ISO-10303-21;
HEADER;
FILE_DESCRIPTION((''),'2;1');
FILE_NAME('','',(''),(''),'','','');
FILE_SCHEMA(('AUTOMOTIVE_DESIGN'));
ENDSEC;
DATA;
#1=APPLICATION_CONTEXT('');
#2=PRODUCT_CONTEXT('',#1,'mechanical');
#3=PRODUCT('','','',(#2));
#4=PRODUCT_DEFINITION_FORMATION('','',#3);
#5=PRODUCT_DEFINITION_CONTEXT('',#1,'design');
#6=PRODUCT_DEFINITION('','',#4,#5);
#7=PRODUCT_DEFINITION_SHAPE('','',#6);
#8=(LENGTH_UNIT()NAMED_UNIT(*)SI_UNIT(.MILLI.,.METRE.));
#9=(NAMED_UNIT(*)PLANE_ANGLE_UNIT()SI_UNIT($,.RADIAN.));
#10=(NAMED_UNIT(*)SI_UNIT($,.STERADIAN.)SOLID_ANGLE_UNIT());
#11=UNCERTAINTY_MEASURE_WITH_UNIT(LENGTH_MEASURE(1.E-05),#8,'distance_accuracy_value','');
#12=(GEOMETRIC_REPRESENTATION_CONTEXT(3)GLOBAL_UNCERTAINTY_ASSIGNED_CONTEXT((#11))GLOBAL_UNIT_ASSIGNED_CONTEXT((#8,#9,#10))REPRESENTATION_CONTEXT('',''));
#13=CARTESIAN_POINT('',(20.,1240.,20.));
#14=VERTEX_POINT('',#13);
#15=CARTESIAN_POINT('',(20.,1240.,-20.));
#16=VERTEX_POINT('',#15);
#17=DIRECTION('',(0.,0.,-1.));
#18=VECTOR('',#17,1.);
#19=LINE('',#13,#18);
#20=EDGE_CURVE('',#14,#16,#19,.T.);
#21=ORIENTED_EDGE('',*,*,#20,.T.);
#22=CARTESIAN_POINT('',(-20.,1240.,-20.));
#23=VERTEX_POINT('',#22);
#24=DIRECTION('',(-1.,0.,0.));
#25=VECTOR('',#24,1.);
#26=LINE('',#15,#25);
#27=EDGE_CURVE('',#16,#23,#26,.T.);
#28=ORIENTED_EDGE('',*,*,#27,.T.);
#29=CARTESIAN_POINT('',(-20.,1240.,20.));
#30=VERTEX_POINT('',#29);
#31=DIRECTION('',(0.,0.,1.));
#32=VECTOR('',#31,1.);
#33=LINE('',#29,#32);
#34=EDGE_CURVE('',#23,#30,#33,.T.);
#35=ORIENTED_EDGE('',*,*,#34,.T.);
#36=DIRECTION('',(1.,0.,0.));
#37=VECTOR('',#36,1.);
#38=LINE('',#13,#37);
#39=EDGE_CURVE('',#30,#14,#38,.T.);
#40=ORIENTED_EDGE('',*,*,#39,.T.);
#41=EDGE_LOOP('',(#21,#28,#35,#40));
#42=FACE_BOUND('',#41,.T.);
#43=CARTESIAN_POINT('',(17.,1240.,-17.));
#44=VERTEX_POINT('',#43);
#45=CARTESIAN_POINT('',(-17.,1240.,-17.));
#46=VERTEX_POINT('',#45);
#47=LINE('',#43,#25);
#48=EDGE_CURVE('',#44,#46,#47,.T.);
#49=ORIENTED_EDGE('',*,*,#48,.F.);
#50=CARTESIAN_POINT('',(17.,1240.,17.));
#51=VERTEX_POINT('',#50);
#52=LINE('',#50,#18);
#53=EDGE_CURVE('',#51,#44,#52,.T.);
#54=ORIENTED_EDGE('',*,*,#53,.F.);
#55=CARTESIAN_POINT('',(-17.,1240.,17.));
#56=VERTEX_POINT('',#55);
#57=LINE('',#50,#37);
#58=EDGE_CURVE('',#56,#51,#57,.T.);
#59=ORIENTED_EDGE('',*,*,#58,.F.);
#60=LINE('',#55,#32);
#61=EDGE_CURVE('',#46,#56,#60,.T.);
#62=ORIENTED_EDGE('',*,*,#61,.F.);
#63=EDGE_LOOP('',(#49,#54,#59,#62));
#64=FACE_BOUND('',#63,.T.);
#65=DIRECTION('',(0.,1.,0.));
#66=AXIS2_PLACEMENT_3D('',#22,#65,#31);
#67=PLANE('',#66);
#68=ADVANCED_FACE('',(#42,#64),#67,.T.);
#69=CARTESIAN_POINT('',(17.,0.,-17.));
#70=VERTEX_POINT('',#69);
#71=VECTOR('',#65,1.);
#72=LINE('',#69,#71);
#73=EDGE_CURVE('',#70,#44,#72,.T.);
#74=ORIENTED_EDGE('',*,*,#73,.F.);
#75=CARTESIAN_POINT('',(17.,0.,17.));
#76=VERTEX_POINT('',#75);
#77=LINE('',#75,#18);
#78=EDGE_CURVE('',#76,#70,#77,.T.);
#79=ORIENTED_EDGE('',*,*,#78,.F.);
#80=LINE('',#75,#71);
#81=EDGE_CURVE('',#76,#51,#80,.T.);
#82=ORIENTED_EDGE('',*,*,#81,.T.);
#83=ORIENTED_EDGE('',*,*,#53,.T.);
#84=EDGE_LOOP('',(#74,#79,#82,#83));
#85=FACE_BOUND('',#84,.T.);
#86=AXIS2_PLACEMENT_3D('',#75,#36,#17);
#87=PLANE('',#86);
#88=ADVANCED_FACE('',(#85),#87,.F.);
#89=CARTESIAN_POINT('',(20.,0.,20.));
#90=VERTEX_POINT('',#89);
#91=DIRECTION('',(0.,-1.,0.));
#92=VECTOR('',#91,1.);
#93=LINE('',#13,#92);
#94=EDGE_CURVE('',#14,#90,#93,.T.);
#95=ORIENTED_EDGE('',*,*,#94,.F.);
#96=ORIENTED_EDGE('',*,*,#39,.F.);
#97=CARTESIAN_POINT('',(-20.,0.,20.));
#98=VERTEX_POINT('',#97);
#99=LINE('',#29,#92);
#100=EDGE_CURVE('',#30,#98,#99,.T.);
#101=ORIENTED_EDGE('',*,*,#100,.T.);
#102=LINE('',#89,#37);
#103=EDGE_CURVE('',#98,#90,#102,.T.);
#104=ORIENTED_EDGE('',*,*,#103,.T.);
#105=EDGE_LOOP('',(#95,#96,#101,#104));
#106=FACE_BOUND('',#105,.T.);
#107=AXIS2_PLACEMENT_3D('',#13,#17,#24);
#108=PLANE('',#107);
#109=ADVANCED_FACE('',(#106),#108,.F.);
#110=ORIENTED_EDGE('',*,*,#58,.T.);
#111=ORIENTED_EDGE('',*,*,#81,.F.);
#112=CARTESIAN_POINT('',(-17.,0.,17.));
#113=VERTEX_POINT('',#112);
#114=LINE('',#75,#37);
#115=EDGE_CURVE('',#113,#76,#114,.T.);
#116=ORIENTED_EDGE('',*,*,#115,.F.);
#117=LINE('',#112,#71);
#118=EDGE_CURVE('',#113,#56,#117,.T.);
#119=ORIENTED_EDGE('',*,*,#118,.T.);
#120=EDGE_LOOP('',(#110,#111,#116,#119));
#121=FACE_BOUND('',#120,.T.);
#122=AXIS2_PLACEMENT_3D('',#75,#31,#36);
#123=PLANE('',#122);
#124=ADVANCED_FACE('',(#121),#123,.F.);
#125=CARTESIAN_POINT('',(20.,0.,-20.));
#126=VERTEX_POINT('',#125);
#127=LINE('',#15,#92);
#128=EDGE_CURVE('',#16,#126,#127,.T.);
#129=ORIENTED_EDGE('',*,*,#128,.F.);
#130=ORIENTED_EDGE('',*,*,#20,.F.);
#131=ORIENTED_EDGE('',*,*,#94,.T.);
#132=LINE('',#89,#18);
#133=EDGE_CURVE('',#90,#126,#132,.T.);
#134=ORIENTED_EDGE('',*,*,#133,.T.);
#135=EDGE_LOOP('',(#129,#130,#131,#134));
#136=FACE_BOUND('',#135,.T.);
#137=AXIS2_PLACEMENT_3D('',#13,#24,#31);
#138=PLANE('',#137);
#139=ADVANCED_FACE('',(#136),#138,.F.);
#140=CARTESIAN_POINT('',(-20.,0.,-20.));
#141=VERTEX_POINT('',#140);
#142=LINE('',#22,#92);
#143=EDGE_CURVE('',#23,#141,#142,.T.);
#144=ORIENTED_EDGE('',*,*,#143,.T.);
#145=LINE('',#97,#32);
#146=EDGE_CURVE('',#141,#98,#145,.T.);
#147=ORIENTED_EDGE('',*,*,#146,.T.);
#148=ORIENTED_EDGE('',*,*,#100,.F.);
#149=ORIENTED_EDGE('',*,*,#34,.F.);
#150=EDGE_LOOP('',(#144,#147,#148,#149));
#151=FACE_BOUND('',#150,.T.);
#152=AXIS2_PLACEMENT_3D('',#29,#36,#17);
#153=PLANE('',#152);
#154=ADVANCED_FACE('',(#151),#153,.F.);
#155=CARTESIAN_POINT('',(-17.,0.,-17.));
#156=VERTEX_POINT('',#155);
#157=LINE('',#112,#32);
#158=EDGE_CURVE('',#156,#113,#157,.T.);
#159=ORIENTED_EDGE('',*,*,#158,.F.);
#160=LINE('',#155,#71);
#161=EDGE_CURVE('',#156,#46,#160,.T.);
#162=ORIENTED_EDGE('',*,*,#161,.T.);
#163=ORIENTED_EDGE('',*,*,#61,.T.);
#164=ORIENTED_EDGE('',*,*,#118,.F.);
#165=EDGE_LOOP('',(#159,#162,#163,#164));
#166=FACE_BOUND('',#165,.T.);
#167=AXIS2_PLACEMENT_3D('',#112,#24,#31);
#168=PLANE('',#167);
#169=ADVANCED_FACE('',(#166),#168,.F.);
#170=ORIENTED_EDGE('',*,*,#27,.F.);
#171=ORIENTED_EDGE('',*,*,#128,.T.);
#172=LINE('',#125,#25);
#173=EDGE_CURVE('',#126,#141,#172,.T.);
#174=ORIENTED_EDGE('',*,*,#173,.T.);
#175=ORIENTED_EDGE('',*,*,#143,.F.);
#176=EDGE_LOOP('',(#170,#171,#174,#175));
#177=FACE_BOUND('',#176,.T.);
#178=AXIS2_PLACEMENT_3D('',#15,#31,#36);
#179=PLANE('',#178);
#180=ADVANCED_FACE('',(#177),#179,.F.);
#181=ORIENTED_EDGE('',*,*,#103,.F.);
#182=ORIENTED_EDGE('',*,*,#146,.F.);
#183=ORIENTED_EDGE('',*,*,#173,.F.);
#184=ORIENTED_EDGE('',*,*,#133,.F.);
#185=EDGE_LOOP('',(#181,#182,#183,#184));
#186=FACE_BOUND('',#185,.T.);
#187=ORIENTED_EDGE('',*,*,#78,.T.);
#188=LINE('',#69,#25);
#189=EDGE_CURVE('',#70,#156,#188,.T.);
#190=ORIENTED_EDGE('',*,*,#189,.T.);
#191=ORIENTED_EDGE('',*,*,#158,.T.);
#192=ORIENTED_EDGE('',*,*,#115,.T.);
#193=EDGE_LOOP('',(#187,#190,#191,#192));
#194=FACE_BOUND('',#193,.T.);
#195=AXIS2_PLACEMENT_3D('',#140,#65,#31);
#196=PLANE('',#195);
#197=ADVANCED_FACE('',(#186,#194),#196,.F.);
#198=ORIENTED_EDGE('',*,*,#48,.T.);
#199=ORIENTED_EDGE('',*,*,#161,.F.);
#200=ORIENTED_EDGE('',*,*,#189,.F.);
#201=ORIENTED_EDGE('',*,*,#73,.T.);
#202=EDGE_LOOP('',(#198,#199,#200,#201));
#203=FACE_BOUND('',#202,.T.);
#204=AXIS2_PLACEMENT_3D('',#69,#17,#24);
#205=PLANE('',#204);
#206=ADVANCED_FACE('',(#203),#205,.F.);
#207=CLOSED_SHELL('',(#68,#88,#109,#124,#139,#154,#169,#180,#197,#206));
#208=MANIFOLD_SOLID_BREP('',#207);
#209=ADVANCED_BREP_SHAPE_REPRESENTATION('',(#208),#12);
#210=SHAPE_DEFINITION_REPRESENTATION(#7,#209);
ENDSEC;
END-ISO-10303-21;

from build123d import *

# Parameters (mm, degrees)
SKETCH1_W           = 40
SKETCH1_H           = 40
BOSS_EXTRUDE1_DEPTH = 1240
SKETCH2_W           = 34
SKETCH2_H           = 34
CUT_EXTRUDE1_DEPTH  = 1241


with BuildPart() as part:
    # Sketch1 → Boss-Extrude1 (new body)
    with BuildSketch(Plane(origin=(0, 0, 0), x_dir=(1, 0, 0), z_dir=(0, 1, 0))):
        Rectangle(SKETCH1_W, SKETCH1_H)
    extrude(amount=BOSS_EXTRUDE1_DEPTH)

    # Sketch2 → Cut-Extrude1 (cut, through all)
    with BuildSketch(Plane(origin=(0, 1240, 0), x_dir=(1, 0, 0), z_dir=(0, 1, 0))):
        Rectangle(SKETCH2_W, SKETCH2_H)
    extrude(amount=-CUT_EXTRUDE1_DEPTH, mode=Mode.SUBTRACT)


solid = part.part
